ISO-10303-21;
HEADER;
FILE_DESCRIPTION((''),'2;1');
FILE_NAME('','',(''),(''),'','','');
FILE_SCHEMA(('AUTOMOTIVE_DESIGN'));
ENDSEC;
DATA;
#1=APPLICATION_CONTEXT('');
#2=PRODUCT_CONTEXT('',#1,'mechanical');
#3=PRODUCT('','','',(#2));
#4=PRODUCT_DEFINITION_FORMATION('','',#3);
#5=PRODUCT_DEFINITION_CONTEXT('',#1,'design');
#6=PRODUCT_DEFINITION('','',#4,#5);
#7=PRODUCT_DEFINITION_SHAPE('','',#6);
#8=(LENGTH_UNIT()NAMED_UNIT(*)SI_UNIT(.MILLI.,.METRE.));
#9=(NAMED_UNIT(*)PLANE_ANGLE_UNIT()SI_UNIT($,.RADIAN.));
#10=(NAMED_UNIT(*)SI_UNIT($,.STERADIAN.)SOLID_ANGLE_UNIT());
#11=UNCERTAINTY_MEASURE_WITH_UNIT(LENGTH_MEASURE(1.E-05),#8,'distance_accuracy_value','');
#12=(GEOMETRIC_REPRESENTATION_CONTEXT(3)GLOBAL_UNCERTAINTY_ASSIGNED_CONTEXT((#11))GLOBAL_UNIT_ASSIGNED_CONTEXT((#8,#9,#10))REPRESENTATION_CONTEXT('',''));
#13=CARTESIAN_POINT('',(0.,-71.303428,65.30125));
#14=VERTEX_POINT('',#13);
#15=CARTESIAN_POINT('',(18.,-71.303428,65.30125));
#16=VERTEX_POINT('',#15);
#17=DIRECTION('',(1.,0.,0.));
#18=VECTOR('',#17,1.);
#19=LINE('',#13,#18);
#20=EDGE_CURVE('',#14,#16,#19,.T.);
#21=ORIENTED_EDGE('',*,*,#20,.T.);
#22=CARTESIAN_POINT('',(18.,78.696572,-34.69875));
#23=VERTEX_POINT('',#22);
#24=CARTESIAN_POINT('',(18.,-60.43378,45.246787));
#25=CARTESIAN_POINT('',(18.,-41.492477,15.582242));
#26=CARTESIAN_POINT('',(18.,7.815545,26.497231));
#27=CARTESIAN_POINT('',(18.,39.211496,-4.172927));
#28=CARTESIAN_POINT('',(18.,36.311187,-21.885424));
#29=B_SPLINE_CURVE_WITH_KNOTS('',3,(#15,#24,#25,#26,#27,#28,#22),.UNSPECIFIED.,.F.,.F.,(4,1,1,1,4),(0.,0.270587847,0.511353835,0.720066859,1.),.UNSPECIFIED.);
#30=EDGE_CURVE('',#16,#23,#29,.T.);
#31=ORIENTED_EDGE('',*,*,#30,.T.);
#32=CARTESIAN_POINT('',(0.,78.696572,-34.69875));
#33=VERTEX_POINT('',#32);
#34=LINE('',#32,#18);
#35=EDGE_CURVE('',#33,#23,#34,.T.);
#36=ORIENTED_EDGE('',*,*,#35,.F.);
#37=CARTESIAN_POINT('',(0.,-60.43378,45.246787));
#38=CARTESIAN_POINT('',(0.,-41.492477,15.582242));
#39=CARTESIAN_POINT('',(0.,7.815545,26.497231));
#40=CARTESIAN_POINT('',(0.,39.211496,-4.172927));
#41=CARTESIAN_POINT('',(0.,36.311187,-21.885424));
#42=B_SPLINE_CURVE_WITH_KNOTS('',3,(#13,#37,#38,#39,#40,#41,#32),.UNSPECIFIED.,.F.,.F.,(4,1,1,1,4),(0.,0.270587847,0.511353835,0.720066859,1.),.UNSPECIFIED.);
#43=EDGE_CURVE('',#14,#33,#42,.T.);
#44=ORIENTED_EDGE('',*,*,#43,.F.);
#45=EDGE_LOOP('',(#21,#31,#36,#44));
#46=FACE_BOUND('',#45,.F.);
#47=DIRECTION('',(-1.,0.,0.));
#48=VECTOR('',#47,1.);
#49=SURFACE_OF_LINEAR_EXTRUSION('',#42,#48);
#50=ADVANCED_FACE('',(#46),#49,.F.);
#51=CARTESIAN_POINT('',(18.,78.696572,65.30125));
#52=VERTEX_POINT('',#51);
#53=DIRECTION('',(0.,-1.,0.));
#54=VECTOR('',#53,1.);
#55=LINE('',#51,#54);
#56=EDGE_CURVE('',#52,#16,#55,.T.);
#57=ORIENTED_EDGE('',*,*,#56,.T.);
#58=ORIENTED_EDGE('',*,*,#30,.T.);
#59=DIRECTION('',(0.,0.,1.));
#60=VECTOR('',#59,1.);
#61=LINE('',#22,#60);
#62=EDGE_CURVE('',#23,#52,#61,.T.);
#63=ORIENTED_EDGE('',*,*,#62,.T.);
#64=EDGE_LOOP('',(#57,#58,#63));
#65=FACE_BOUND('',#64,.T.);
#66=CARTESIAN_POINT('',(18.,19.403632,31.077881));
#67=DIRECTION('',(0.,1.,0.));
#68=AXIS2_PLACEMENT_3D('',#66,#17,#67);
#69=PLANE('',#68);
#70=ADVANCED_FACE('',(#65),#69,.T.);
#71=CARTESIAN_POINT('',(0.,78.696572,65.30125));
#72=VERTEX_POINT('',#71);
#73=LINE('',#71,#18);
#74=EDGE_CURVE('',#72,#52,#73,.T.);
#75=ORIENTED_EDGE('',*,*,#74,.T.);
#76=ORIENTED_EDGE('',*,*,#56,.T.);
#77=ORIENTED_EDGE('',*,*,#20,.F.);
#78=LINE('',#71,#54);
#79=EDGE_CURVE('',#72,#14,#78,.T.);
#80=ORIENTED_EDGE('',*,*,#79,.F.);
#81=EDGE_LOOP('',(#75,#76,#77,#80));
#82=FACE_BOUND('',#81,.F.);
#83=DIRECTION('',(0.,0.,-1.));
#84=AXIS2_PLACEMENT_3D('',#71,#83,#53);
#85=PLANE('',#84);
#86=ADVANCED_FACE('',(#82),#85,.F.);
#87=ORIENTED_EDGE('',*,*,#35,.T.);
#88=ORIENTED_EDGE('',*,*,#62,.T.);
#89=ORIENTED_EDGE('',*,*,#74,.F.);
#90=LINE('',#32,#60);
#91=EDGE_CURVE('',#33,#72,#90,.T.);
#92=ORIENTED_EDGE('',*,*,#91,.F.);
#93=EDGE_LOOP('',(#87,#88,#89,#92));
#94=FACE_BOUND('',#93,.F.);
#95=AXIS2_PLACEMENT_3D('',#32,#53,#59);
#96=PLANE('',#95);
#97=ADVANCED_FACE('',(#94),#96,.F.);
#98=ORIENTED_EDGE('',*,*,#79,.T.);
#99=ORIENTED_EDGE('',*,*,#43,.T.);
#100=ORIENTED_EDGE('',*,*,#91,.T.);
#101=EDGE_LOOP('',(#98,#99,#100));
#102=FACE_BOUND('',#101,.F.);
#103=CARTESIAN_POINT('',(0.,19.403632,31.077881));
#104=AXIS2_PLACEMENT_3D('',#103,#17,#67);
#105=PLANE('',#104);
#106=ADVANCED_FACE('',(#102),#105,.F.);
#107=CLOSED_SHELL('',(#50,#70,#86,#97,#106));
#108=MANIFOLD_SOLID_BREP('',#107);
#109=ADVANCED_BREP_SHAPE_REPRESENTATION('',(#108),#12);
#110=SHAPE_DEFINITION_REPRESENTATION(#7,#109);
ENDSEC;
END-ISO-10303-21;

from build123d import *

# Parameters (mm, degrees)
F1_DEPTH = 18


with BuildPart() as f1:
    # F0 (on Right) → F1 (new body)
    with BuildSketch(Plane.YZ):
        with BuildLine():
            Line((78.6965720356, 65.3012499022), (-71.3034279644, 65.3012499022))
            add(Edge.make_bspline(
                [(-71.3034279644, 65.3012499022), (-60.4337800464, 45.246787237), (-41.4924771559, 15.5822415828), (7.8155446818, 26.4972307975), (39.2114959695, -4.1729265655), (36.3111868788, -21.8854235422), (78.6965720356, -34.6987500978)],
                knots=[0, 0, 0, 0, 0.2705878472, 0.5113538354, 0.7200668593, 1, 1, 1, 1], degree=3))
            Line((78.6965720356, -34.6987500978), (78.6965720356, 65.3012499022))
        make_face()
    extrude(amount=F1_DEPTH)


solid = f1.part
